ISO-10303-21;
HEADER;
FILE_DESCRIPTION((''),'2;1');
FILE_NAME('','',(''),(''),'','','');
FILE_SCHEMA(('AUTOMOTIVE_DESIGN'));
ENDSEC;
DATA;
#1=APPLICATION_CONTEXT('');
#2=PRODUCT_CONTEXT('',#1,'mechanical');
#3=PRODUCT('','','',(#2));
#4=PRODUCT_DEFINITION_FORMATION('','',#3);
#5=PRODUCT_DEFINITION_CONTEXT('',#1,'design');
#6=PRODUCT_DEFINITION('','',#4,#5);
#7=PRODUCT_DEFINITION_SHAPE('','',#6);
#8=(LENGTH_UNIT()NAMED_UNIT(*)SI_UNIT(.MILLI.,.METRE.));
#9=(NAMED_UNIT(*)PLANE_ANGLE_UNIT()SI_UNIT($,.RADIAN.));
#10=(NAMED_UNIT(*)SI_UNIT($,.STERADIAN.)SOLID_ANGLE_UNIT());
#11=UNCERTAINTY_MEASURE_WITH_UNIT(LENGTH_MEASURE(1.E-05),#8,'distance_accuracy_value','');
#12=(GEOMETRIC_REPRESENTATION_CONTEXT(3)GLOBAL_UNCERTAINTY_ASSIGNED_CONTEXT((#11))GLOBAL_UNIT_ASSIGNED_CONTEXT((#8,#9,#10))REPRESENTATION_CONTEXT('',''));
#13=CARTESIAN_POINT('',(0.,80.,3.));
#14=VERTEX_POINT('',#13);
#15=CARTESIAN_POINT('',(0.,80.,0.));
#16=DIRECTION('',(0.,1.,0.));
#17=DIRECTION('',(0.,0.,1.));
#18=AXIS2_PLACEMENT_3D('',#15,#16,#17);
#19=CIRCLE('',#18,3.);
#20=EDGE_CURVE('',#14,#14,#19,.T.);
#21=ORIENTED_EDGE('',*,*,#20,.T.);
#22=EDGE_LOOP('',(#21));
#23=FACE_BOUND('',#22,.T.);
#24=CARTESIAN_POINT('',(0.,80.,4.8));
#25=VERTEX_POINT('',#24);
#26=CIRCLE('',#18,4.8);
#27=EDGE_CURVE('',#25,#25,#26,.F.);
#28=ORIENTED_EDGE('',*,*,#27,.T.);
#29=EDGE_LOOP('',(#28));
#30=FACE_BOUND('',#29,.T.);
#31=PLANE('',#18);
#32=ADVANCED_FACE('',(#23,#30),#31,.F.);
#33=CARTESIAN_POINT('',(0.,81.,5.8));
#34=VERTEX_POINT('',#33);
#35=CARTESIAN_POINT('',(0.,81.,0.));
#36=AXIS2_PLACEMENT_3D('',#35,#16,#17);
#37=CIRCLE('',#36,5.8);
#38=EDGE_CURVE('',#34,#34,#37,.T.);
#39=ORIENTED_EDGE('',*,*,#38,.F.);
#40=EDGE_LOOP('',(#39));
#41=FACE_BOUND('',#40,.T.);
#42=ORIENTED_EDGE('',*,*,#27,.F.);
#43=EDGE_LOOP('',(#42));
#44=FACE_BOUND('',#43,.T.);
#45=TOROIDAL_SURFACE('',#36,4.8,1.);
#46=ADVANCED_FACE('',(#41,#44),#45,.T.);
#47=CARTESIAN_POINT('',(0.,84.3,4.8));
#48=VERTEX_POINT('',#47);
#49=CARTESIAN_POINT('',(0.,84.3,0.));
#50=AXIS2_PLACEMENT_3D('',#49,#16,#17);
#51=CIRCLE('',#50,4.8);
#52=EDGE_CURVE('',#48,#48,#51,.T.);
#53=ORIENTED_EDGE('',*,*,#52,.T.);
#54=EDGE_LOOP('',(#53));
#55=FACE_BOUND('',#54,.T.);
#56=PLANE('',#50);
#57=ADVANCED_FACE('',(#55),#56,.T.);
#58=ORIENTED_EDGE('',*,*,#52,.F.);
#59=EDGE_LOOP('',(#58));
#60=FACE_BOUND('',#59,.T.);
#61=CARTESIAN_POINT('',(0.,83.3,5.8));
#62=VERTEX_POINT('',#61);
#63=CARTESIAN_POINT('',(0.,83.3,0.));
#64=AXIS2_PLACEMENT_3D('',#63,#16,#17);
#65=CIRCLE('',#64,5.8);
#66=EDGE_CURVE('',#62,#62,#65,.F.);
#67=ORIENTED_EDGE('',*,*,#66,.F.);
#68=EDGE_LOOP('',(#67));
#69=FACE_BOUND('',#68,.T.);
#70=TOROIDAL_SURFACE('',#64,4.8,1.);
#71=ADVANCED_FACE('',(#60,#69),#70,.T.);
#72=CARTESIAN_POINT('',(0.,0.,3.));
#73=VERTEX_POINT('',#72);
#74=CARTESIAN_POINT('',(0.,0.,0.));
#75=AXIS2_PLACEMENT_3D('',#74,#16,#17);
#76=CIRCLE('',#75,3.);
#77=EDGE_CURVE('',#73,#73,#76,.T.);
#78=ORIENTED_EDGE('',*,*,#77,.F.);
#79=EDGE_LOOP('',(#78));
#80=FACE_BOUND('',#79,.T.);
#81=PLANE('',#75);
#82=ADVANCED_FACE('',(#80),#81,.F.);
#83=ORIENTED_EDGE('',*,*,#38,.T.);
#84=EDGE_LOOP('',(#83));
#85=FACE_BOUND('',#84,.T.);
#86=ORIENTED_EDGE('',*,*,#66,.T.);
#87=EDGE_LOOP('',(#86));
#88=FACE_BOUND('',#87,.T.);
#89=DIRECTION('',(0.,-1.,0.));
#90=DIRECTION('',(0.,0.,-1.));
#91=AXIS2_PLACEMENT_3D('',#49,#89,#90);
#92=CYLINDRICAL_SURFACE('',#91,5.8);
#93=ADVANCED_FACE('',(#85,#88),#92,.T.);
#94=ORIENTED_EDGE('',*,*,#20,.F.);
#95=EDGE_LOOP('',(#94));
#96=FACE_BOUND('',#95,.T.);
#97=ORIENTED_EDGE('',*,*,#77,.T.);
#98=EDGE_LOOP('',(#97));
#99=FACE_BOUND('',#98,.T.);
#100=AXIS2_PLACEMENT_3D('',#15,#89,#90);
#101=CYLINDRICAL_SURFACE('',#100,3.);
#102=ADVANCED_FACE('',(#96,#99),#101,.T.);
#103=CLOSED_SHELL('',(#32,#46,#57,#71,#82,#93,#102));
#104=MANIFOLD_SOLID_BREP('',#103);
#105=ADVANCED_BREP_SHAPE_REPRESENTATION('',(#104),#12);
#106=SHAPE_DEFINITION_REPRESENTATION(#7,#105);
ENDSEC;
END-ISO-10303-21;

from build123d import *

# Parameters (mm, degrees)
SKETCH1_R           = 3
BOSS_EXTRUDE1_DEPTH = 80
SKETCH2_R           = 5.8
BOSS_EXTRUDE2_DEPTH = 4.3
FILLET1_R           = 1


with BuildPart() as part:
    # Sketch1 → Boss-Extrude1 (new body)
    with BuildSketch(Plane(origin=(0, 0, 0), x_dir=(1, 0, 0), z_dir=(0, 1, 0))):
        with Locations(Location((0, 0, 0), (0, 0, 270))):  # turned: the seam where the file's is
            Circle(SKETCH1_R)
    extrude(amount=BOSS_EXTRUDE1_DEPTH)

    # Sketch2 → Boss-Extrude2 (add)
    with BuildSketch(Plane(origin=(0, 80, 0), x_dir=(1, 0, 0), z_dir=(0, 1, 0))):
        with Locations(Location((0, 0, 0), (0, 0, 270))):  # turned: the seam where the file's is
            Circle(SKETCH2_R)
    extrude(amount=BOSS_EXTRUDE2_DEPTH)

    # Fillet1
    fillet1_edges = [part.edges().sort_by_distance(p)[0] for p in [
        (0, 80, -5.8),
        (0, 84.3, -5.8),
    ]]
    fillet(fillet1_edges, radius=FILLET1_R)


solid = part.part
